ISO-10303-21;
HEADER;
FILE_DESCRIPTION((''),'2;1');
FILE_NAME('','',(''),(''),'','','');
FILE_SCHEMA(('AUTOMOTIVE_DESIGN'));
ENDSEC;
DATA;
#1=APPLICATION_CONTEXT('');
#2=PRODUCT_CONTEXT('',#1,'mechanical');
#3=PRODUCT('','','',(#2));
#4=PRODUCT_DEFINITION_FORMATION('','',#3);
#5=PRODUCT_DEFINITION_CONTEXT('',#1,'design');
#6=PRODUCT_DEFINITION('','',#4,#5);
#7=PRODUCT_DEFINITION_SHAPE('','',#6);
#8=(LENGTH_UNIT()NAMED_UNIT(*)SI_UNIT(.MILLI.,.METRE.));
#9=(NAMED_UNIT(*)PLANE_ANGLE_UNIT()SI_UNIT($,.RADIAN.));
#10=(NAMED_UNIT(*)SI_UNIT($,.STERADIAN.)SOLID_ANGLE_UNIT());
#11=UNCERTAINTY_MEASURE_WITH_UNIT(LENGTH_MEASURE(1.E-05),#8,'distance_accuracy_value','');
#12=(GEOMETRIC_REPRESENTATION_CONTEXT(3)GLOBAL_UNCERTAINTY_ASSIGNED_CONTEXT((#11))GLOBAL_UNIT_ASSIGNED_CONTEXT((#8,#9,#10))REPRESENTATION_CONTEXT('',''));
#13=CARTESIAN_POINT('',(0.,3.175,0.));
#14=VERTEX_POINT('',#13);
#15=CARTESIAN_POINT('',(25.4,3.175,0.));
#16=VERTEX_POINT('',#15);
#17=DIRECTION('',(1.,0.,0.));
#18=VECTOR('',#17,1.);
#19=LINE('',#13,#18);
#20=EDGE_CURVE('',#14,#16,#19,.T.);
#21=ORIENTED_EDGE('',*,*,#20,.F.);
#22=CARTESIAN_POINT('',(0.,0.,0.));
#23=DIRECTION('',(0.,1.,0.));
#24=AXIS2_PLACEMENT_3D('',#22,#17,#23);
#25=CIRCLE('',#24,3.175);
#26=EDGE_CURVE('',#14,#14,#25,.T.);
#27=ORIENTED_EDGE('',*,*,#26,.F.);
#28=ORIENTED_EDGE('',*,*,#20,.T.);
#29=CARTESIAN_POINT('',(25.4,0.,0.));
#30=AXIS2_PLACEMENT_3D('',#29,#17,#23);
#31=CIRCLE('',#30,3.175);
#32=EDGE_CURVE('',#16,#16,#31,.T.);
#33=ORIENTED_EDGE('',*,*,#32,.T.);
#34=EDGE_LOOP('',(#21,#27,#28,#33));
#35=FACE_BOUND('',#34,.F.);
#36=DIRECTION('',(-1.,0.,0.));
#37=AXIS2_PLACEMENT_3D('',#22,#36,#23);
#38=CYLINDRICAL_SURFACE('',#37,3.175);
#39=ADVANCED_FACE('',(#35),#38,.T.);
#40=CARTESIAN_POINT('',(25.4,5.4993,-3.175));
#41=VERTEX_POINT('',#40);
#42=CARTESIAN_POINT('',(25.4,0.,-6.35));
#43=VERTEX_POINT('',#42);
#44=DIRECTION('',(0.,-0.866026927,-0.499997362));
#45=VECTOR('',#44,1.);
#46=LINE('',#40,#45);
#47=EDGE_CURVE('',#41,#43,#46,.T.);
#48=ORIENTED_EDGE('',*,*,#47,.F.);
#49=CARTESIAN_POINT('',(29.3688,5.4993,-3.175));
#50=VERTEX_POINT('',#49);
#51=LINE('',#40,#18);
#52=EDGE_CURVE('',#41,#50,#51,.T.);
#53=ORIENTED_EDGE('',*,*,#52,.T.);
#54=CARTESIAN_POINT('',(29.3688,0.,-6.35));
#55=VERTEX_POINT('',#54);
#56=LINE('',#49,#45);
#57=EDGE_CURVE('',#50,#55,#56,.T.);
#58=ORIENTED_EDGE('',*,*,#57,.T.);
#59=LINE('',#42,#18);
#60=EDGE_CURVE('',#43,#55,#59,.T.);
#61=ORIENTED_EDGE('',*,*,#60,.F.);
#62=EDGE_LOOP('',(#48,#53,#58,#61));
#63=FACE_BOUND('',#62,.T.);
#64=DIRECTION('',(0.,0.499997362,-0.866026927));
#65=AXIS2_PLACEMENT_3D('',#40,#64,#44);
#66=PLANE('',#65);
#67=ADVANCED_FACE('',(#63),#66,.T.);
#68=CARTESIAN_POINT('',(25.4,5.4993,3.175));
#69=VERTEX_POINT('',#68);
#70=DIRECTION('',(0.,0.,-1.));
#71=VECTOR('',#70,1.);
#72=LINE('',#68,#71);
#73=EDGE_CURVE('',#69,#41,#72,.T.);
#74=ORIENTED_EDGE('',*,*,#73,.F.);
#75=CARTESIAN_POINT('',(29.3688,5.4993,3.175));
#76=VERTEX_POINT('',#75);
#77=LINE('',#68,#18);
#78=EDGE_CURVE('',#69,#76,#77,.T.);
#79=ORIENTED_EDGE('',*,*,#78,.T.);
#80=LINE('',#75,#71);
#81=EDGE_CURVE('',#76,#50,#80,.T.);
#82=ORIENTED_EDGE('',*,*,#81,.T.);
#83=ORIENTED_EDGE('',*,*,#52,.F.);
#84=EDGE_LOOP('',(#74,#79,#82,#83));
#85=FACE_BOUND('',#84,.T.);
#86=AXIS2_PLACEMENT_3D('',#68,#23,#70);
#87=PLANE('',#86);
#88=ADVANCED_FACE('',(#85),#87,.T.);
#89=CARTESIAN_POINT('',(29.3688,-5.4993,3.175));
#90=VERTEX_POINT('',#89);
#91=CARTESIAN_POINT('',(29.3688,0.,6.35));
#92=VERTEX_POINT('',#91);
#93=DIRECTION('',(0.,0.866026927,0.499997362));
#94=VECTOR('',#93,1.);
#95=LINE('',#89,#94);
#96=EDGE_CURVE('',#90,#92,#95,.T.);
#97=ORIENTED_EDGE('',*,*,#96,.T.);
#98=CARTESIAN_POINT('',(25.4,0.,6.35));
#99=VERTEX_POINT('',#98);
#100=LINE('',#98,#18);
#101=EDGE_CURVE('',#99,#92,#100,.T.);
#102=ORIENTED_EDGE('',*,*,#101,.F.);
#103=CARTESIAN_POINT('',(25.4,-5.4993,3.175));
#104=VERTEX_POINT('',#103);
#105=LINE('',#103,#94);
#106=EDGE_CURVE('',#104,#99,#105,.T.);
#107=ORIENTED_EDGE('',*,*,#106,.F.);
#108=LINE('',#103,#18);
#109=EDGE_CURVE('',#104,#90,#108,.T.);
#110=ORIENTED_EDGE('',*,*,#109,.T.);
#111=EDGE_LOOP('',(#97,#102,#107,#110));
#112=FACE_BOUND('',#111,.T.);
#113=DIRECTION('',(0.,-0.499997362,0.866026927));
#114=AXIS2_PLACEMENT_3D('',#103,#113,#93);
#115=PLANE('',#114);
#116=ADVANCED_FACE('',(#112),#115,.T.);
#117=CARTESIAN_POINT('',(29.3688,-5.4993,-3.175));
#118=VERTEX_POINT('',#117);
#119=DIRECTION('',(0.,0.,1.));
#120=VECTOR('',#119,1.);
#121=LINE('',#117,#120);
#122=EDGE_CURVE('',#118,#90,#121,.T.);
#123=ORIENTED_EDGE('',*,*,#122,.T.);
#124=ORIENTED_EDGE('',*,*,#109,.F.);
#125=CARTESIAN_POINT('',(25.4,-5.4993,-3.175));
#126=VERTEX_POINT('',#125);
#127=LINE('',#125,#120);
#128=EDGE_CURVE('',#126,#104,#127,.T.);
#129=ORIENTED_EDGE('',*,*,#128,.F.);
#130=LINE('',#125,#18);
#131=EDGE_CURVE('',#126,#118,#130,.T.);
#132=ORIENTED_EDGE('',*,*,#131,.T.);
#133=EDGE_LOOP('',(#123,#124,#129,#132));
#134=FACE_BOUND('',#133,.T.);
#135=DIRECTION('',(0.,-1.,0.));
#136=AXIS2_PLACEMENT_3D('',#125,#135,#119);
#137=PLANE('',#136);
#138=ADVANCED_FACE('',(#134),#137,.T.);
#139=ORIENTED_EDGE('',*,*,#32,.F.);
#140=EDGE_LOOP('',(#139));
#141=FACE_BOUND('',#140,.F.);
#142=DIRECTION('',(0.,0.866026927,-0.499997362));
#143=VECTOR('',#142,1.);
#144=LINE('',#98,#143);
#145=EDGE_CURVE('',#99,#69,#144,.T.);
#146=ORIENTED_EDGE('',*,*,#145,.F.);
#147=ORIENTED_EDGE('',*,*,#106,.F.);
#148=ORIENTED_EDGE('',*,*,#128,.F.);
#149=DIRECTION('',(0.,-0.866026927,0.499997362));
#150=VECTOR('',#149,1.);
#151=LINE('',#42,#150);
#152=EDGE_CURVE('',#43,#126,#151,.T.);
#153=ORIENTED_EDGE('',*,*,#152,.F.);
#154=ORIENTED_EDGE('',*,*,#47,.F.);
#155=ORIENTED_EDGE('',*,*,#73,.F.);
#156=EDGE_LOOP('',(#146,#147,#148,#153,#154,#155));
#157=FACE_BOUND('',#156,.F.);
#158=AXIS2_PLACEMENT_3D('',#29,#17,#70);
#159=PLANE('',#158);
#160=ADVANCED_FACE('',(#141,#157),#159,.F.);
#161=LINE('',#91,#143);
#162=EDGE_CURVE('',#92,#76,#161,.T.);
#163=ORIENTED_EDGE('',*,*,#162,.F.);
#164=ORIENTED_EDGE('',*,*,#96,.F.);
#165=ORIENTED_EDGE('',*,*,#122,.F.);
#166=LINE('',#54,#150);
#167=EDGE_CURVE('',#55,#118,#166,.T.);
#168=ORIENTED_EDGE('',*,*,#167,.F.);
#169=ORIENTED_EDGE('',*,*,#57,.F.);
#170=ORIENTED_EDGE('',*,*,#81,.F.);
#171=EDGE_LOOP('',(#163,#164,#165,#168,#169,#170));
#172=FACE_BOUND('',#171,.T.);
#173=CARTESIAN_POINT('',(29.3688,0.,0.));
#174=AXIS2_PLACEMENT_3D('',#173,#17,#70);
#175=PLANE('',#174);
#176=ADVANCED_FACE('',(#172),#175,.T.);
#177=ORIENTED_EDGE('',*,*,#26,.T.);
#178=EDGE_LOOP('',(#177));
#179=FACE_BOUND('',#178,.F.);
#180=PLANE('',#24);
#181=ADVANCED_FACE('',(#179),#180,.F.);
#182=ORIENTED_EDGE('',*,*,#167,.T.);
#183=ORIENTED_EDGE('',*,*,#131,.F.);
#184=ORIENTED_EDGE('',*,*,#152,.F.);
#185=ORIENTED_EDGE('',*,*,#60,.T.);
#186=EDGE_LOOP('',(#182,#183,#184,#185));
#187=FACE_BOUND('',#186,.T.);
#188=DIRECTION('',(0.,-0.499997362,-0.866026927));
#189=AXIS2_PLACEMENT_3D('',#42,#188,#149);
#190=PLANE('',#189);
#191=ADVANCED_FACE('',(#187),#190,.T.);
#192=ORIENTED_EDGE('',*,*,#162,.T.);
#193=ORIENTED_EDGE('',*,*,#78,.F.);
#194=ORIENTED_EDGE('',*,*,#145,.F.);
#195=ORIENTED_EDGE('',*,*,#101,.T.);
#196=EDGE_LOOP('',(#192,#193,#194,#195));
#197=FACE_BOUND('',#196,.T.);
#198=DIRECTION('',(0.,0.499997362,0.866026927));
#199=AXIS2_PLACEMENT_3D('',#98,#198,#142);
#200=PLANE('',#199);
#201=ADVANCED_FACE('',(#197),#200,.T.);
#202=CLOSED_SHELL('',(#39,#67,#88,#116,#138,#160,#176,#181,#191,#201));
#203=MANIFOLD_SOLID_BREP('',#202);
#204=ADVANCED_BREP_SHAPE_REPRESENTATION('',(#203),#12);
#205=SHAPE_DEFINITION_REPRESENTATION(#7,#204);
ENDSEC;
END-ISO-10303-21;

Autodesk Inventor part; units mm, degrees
ref_plane "YZ Plane" through (0, 0, 0) normal (1, 0, 0) x (0, 1, 0)
ref_plane "XZ Plane" through (0, 0, 0) normal (0, 1, 0) x (-1, 0, 0)
ref_plane "XY Plane" through (0, 0, 0) normal (0, 0, 1) x (1, 0, 0)
sketch "Sketch1" plane through (0, 0, 0) normal (1, 0, 0) x (0, 1, 0)
  circle A0 centre (0, 0) radius 3.175
  dimension "d0" = 6.35
extrude "Extrusion1" add sketch "Sketch1" along normal blind 25.4
thread "Thread1" size "1/4-20 UNC" class "2A" standard "ANSI Unified Screw Threads" full length
sketch "Sketch2" plane through (25.4, 0, 0) normal (1, 0, 0) x (0, 0, -1)
  circle A0 centre (0, 0) radius 6.35
  line L0 (6.35, 0) -> (3.175, -5.4993)
  line L1 (3.175, -5.4993) -> (-3.175, -5.4993)
  line L2 (-3.175, -5.4993) -> (-6.35, 0)
  line L3 (-6.35, 0) -> (-3.175, 5.4993)
  line L4 (-3.175, 5.4993) -> (3.175, 5.4993)
  line L5 (3.175, 5.4993) -> (6.35, 0)
  dimension "d5" = 12.7
extrude "Extrusion2" add sketch "Sketch2" along normal blind 3.9688 contours L0 L1 L2 L3 L4 L5
properties part number "bolt"
